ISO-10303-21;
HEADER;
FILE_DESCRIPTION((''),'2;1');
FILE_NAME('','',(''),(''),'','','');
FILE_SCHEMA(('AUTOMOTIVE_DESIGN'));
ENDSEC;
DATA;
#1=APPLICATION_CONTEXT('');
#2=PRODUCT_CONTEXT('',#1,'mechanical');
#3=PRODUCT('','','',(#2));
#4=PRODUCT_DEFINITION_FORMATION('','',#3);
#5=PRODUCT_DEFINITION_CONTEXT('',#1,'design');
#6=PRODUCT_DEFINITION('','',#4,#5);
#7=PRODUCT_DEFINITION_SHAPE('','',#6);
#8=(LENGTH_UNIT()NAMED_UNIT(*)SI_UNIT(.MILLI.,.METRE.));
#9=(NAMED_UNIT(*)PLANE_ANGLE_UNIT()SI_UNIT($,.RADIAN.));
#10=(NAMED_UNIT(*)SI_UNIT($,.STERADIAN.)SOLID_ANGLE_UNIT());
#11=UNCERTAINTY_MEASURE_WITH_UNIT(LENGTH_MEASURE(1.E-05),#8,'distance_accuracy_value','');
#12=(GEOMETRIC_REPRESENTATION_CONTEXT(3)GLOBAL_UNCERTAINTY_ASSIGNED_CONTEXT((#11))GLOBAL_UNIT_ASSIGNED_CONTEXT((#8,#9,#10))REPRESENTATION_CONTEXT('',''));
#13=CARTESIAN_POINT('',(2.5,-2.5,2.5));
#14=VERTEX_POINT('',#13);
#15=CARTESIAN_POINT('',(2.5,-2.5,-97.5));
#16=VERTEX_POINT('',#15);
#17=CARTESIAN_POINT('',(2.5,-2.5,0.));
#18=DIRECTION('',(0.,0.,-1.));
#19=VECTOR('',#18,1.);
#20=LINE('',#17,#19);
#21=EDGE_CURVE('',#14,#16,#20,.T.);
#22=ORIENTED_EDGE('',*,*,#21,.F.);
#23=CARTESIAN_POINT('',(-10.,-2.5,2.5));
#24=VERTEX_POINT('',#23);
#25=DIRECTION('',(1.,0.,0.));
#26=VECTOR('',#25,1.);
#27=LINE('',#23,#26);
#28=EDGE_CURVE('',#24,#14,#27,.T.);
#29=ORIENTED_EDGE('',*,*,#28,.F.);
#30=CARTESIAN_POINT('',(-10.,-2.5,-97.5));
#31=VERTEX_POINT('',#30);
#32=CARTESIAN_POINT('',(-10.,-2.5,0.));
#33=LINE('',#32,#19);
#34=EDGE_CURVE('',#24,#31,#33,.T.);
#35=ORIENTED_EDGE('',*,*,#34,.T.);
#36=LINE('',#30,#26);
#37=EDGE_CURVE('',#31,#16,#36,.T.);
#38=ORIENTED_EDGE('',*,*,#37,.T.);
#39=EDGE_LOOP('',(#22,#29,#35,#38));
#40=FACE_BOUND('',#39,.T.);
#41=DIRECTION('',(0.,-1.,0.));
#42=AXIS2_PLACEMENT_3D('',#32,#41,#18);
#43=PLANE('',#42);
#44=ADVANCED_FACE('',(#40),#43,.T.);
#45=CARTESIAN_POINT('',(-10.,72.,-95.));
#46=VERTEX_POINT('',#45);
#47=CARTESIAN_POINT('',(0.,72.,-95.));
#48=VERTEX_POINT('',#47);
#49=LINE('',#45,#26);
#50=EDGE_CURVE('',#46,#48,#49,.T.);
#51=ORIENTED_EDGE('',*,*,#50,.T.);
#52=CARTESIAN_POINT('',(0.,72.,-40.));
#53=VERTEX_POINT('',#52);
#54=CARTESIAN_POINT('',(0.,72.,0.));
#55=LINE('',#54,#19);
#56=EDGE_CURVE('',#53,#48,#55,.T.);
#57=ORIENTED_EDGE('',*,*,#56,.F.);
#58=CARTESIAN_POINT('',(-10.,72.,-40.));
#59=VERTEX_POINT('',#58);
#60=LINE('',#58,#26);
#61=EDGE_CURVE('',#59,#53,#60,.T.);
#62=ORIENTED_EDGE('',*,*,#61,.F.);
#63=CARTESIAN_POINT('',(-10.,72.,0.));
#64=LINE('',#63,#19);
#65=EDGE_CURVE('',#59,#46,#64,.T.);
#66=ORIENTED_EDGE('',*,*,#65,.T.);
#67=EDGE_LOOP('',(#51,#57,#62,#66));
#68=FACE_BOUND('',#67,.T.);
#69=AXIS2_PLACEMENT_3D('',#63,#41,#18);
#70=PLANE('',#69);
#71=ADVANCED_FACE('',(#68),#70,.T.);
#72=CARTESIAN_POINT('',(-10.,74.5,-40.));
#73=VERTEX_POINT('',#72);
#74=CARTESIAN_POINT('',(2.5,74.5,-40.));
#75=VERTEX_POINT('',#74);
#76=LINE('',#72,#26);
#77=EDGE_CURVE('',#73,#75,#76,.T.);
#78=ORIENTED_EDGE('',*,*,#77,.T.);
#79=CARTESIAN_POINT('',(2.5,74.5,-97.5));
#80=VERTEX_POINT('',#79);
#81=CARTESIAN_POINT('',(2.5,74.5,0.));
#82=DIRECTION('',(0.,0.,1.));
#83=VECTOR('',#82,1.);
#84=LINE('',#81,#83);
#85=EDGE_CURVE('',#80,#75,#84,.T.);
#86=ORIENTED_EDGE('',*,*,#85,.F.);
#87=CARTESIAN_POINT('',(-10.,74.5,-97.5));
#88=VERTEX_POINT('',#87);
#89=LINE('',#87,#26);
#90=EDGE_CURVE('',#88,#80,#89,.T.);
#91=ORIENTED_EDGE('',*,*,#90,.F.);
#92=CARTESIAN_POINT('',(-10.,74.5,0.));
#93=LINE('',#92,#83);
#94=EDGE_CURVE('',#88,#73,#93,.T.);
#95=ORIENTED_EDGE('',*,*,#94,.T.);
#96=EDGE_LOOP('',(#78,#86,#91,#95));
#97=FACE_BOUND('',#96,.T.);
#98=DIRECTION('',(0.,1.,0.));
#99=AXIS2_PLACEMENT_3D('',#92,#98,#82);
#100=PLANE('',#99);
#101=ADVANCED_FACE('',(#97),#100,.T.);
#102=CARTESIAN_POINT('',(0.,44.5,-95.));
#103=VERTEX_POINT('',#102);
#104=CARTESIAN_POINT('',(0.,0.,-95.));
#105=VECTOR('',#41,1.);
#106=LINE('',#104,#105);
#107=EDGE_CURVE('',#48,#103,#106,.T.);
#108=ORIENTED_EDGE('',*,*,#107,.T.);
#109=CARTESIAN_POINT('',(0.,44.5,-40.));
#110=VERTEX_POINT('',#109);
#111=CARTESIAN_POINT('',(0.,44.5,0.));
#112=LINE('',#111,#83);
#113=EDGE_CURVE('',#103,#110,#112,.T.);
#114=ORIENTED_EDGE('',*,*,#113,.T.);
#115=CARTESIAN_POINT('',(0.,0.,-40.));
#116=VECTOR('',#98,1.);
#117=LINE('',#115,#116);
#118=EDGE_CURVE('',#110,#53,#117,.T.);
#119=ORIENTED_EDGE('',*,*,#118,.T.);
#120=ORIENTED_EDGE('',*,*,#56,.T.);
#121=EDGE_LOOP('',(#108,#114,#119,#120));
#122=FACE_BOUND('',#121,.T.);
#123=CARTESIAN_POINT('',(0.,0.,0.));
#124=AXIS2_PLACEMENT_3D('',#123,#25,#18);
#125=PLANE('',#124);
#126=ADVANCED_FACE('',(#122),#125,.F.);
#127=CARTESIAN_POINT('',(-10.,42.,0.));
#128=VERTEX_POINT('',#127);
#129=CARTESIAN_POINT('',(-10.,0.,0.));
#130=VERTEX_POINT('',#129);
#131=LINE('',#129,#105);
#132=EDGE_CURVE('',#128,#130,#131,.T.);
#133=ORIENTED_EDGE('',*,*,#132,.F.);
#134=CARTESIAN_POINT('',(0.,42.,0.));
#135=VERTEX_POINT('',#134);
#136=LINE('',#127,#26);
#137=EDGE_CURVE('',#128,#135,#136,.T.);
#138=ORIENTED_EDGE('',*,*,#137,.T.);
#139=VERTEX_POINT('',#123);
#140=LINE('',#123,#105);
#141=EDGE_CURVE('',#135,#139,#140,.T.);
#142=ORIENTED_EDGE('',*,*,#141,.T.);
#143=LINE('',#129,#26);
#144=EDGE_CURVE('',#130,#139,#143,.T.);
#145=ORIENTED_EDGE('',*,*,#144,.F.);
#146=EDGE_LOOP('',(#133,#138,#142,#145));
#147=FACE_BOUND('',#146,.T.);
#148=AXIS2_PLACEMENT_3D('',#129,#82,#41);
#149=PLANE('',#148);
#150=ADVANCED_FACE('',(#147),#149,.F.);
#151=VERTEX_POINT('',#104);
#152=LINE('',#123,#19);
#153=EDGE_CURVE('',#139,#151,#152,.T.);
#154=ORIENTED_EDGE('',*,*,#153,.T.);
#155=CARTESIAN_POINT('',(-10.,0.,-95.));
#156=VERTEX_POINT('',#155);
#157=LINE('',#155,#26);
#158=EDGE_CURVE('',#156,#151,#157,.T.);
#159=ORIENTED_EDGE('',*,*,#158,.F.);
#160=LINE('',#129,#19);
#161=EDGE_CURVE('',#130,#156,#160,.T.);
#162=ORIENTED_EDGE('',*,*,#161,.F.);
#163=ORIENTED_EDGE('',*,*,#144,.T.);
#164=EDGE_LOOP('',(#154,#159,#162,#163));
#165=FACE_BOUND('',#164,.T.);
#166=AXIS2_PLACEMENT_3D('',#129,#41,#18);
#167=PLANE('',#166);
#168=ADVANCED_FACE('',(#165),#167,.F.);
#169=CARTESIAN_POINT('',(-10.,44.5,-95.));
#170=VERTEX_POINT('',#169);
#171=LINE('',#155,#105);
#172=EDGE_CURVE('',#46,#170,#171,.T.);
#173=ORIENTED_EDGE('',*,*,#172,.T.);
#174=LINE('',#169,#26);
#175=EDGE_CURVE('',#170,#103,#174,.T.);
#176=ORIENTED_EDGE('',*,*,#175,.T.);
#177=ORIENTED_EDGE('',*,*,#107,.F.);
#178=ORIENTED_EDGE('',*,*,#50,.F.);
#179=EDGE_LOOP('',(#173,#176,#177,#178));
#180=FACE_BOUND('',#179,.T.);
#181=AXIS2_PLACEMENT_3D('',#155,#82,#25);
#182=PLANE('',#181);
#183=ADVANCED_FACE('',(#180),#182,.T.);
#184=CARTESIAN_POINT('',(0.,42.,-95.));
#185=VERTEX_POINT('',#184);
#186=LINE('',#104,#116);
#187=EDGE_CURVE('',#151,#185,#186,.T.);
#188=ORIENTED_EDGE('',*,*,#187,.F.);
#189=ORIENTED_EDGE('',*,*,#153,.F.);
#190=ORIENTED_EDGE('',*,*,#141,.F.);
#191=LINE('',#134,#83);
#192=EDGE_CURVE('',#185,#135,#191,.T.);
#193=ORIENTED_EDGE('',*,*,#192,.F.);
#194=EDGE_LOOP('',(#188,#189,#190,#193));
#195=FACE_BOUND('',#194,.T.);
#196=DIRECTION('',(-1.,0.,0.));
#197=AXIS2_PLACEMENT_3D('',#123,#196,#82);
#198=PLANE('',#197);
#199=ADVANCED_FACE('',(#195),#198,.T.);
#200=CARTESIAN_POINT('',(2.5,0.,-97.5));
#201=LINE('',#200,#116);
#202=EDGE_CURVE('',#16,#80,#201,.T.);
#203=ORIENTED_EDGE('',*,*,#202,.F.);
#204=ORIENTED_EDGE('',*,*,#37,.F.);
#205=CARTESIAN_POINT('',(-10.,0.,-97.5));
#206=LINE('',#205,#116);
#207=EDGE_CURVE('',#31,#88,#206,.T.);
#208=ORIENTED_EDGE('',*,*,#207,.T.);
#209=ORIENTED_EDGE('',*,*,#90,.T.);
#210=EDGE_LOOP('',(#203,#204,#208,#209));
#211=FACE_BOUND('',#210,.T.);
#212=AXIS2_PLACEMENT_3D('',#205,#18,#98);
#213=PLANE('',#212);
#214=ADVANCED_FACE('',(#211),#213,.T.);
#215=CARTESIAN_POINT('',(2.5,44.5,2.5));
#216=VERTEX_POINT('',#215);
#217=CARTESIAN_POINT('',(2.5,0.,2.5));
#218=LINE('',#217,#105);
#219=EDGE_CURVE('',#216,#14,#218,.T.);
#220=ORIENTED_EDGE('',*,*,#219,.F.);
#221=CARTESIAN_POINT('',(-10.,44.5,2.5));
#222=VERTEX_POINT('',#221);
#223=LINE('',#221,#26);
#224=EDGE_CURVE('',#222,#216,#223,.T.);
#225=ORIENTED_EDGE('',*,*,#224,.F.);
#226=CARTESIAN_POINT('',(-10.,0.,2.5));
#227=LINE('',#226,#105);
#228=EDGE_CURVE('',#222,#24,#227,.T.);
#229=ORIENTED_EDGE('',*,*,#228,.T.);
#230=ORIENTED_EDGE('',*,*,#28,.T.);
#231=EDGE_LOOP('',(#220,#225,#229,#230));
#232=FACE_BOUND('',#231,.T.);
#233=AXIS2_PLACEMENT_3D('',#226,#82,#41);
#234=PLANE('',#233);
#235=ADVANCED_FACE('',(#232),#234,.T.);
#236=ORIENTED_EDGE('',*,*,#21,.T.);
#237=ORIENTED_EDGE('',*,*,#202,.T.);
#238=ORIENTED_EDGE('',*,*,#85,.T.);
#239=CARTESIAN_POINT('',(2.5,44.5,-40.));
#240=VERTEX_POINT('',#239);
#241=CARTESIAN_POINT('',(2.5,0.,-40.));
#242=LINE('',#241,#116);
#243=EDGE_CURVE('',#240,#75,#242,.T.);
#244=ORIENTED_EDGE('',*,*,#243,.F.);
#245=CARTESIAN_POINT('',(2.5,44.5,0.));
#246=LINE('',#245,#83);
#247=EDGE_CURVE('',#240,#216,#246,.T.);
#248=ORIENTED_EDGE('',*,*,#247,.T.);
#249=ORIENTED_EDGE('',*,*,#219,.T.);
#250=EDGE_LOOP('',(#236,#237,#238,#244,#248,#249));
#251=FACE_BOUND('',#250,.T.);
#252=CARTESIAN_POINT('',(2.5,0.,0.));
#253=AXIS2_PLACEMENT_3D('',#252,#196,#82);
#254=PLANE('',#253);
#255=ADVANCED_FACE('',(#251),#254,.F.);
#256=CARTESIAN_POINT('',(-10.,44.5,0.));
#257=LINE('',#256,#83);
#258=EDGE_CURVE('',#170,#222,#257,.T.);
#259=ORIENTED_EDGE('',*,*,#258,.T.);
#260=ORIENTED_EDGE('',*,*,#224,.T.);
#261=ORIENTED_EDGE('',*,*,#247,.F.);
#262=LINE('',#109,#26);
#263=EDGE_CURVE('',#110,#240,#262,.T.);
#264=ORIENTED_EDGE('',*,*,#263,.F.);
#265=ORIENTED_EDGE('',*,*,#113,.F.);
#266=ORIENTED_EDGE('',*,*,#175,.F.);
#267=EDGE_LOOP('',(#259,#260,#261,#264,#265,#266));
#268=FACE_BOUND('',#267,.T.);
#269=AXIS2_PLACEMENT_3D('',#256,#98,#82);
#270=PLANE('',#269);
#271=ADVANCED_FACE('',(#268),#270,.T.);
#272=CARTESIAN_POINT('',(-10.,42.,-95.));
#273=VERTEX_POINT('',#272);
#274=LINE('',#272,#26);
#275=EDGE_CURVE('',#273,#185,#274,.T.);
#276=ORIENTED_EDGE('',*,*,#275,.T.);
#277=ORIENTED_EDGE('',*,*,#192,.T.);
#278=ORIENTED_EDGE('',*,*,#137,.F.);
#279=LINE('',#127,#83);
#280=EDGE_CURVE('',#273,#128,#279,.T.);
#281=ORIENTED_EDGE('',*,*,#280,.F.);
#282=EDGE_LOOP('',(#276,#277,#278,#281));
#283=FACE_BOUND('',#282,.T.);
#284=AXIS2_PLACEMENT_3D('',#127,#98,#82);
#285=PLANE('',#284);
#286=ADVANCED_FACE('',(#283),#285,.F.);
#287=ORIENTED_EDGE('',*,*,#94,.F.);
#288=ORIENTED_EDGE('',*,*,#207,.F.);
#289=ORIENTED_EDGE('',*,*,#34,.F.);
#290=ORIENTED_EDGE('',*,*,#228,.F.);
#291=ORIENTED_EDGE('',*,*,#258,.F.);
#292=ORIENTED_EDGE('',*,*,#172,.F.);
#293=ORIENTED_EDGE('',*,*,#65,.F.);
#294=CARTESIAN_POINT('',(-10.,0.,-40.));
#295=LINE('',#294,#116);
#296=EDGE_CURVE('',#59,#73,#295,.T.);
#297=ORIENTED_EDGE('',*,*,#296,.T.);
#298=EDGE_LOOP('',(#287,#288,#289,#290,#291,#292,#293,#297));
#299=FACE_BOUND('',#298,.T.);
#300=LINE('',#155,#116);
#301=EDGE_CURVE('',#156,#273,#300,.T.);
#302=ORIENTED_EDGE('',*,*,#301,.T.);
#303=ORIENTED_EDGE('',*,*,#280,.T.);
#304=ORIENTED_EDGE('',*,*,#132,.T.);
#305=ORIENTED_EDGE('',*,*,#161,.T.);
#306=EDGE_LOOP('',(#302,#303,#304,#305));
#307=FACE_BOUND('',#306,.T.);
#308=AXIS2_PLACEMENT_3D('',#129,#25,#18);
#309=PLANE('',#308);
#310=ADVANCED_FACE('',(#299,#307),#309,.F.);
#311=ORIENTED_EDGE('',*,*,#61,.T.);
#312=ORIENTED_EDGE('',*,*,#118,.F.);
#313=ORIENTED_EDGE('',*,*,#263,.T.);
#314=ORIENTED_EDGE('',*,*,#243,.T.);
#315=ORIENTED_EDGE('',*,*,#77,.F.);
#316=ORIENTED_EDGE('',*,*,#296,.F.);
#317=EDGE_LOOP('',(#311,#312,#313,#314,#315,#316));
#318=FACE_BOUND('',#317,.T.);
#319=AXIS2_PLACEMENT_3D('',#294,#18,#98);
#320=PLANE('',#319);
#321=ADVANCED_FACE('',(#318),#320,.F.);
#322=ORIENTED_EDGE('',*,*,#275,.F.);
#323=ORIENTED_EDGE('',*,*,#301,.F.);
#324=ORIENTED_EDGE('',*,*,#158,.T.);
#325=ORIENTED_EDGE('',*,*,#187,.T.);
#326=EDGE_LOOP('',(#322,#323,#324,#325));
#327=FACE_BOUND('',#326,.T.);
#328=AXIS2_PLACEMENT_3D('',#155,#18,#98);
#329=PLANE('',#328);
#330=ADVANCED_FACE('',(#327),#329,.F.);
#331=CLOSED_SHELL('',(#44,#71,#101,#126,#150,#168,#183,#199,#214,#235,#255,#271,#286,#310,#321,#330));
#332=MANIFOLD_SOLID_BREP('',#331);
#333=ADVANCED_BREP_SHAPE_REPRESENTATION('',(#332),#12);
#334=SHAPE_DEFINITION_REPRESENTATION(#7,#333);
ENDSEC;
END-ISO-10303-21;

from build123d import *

# Parameters (mm, degrees)
SKETCH1_W                = 95
SKETCH1_H                = 42
BOSS_EXTRUDE2_DEPTH      = 2.5
EXTRUDE_THIN1_DEPTH      = 2.5
EXTRUDE_THIN1_DEPTH_BACK = 10
SKETCH1_2_W              = 100
SKETCH1_2_H              = 47
SKETCH1_2_W_2            = 95
SKETCH1_2_H_2            = 42
BOSS_EXTRUDE3_DEPTH      = 12.5
SKETCH2_4_W              = 55
SKETCH2_4_H              = 27.5
BOSS_EXTRUDE4_DEPTH      = 2.5


with BuildPart() as part:
    # Sketch1 → Boss-Extrude2 (new body)
    with BuildSketch(Plane(origin=(0, 0, 0), x_dir=(0, 0, -1), z_dir=(1, 0, 0))):
        with Locations((47.5, 21)):
            Rectangle(SKETCH1_W, SKETCH1_H)
    extrude(amount=BOSS_EXTRUDE2_DEPTH)

    # Sketch1<2> → Extrude-Thin1 (add, two sides: drawn at the far end of the back side and taken through both)
    with BuildSketch(Plane(origin=(0, 0, 0), x_dir=(0, 0, -1), z_dir=(1, 0, 0)).offset(-EXTRUDE_THIN1_DEPTH_BACK)):
        with Locations((47.5, 21)):
            Rectangle(SKETCH1_2_W, SKETCH1_2_H)
        with Locations((47.5, 21)):
            Rectangle(SKETCH1_2_W_2, SKETCH1_2_H_2, mode=Mode.SUBTRACT)
    extrude(amount=EXTRUDE_THIN1_DEPTH + EXTRUDE_THIN1_DEPTH_BACK)

    # Sketch2 → Boss-Extrude3 (add)
    with BuildSketch(Plane(origin=(2.5, 0, 0), x_dir=(0, 0, -1), z_dir=(1, 0, 0))):
        Polygon((95, 44.5), (97.5, 44.5), (97.5, 74.5), (40, 74.5), (40, 72), (95, 72), align=None)
    extrude(amount=-BOSS_EXTRUDE3_DEPTH)

    # Sketch2<4> → Boss-Extrude4 (add)
    with BuildSketch(Plane(origin=(2.5, 0, 0), x_dir=(0, 0, -1), z_dir=(1, 0, 0))):
        with Locations((67.5, 58.25)):
            Rectangle(SKETCH2_4_W, SKETCH2_4_H)
    extrude(amount=-BOSS_EXTRUDE4_DEPTH)


solid = part.part
